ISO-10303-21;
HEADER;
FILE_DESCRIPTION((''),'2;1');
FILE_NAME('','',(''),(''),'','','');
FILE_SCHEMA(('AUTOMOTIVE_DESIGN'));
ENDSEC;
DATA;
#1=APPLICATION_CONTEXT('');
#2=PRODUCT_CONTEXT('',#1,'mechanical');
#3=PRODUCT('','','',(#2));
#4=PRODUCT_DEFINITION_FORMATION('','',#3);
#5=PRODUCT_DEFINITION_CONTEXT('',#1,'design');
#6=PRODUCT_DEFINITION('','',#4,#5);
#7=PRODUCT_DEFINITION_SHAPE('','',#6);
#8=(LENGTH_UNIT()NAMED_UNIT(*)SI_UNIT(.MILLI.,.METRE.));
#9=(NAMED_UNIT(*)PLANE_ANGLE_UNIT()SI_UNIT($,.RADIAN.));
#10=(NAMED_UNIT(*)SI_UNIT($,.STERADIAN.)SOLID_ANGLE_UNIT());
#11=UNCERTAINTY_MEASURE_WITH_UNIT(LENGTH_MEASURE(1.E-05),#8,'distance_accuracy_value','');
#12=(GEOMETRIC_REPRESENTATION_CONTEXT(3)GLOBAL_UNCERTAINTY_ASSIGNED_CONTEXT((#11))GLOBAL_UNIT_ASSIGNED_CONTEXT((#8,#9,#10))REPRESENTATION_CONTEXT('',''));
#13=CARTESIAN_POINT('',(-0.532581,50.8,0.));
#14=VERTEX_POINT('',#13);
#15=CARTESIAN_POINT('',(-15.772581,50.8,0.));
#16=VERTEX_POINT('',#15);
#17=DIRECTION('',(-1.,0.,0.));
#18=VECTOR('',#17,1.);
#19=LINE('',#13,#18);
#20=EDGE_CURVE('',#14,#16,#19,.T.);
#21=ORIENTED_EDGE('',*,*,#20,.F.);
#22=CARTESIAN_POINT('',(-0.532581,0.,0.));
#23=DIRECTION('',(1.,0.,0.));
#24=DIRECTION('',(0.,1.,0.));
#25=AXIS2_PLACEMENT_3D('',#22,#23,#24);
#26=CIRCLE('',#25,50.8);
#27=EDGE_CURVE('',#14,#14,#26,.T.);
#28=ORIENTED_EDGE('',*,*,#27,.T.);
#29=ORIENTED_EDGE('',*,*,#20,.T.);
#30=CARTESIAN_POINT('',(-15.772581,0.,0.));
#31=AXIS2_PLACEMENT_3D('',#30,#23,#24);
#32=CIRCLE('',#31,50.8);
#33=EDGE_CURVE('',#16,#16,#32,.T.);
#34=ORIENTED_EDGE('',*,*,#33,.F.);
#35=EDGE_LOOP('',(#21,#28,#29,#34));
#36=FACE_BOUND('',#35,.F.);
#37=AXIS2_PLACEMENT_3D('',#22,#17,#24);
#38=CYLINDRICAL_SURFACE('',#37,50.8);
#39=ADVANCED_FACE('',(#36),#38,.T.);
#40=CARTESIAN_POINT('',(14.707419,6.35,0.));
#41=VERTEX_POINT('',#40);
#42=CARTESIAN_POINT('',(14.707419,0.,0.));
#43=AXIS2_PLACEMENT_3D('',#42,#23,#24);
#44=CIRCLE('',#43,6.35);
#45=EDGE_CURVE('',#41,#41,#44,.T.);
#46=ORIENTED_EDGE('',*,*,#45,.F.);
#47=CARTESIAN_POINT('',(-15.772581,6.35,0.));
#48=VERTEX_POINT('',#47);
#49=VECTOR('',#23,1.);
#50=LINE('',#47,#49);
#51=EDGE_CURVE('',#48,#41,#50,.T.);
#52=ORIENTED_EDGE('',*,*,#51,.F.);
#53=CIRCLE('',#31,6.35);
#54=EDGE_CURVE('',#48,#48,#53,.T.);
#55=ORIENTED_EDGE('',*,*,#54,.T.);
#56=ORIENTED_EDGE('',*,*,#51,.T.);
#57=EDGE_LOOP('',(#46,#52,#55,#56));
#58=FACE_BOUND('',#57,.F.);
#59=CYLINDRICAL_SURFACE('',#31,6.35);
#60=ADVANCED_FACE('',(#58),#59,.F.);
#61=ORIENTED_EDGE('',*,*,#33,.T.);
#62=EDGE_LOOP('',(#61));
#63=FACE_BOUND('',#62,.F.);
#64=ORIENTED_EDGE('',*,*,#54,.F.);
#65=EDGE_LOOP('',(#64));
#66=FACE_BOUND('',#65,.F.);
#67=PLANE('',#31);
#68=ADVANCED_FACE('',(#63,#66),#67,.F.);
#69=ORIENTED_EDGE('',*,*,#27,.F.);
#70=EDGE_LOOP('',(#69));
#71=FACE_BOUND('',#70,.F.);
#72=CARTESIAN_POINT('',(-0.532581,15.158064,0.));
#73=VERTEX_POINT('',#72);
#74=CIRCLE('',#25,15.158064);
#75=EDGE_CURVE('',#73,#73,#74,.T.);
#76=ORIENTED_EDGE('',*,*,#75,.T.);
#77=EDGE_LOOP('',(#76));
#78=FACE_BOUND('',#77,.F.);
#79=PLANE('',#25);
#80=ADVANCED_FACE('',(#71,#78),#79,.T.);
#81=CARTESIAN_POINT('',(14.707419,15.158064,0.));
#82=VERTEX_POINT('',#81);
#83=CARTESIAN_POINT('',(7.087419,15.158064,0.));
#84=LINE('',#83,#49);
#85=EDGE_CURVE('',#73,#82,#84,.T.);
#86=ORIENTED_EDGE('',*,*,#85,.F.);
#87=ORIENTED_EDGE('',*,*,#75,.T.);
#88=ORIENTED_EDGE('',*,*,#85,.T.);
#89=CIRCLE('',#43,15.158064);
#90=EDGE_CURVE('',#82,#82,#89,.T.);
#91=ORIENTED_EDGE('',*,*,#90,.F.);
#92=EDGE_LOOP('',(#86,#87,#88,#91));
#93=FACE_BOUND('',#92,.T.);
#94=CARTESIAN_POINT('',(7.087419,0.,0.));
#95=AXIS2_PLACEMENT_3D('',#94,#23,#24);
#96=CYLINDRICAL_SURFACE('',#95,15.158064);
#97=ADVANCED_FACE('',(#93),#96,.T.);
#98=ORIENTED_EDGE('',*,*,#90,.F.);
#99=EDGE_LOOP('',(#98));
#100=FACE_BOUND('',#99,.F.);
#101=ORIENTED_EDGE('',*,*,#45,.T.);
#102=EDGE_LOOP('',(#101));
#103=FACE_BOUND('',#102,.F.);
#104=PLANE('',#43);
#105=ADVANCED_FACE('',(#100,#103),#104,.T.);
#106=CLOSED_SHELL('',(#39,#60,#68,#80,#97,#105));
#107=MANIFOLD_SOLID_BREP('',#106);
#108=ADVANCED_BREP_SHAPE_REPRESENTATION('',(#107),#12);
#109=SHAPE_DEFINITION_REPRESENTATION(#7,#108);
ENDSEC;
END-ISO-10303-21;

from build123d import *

# Parameters (mm, degrees)
F0_W = 15.24
F0_H = 8.808064


with BuildPart() as f1:
    # F0 (on Top) → F1 (revolve)
    with BuildSketch(Plane.XY):
        Polygon((-0.532581, 50.8), (-15.772581, 50.8), (-15.772581, 6.35), (-0.532581, 6.35), (-0.532581, 15.158064), align=None)
        with Locations((7.087419, 10.754032)):
            Rectangle(F0_W, F0_H)
    revolve(axis=Axis((7.087419, 0, 0), (1, 0, 0)))


solid = f1.part
